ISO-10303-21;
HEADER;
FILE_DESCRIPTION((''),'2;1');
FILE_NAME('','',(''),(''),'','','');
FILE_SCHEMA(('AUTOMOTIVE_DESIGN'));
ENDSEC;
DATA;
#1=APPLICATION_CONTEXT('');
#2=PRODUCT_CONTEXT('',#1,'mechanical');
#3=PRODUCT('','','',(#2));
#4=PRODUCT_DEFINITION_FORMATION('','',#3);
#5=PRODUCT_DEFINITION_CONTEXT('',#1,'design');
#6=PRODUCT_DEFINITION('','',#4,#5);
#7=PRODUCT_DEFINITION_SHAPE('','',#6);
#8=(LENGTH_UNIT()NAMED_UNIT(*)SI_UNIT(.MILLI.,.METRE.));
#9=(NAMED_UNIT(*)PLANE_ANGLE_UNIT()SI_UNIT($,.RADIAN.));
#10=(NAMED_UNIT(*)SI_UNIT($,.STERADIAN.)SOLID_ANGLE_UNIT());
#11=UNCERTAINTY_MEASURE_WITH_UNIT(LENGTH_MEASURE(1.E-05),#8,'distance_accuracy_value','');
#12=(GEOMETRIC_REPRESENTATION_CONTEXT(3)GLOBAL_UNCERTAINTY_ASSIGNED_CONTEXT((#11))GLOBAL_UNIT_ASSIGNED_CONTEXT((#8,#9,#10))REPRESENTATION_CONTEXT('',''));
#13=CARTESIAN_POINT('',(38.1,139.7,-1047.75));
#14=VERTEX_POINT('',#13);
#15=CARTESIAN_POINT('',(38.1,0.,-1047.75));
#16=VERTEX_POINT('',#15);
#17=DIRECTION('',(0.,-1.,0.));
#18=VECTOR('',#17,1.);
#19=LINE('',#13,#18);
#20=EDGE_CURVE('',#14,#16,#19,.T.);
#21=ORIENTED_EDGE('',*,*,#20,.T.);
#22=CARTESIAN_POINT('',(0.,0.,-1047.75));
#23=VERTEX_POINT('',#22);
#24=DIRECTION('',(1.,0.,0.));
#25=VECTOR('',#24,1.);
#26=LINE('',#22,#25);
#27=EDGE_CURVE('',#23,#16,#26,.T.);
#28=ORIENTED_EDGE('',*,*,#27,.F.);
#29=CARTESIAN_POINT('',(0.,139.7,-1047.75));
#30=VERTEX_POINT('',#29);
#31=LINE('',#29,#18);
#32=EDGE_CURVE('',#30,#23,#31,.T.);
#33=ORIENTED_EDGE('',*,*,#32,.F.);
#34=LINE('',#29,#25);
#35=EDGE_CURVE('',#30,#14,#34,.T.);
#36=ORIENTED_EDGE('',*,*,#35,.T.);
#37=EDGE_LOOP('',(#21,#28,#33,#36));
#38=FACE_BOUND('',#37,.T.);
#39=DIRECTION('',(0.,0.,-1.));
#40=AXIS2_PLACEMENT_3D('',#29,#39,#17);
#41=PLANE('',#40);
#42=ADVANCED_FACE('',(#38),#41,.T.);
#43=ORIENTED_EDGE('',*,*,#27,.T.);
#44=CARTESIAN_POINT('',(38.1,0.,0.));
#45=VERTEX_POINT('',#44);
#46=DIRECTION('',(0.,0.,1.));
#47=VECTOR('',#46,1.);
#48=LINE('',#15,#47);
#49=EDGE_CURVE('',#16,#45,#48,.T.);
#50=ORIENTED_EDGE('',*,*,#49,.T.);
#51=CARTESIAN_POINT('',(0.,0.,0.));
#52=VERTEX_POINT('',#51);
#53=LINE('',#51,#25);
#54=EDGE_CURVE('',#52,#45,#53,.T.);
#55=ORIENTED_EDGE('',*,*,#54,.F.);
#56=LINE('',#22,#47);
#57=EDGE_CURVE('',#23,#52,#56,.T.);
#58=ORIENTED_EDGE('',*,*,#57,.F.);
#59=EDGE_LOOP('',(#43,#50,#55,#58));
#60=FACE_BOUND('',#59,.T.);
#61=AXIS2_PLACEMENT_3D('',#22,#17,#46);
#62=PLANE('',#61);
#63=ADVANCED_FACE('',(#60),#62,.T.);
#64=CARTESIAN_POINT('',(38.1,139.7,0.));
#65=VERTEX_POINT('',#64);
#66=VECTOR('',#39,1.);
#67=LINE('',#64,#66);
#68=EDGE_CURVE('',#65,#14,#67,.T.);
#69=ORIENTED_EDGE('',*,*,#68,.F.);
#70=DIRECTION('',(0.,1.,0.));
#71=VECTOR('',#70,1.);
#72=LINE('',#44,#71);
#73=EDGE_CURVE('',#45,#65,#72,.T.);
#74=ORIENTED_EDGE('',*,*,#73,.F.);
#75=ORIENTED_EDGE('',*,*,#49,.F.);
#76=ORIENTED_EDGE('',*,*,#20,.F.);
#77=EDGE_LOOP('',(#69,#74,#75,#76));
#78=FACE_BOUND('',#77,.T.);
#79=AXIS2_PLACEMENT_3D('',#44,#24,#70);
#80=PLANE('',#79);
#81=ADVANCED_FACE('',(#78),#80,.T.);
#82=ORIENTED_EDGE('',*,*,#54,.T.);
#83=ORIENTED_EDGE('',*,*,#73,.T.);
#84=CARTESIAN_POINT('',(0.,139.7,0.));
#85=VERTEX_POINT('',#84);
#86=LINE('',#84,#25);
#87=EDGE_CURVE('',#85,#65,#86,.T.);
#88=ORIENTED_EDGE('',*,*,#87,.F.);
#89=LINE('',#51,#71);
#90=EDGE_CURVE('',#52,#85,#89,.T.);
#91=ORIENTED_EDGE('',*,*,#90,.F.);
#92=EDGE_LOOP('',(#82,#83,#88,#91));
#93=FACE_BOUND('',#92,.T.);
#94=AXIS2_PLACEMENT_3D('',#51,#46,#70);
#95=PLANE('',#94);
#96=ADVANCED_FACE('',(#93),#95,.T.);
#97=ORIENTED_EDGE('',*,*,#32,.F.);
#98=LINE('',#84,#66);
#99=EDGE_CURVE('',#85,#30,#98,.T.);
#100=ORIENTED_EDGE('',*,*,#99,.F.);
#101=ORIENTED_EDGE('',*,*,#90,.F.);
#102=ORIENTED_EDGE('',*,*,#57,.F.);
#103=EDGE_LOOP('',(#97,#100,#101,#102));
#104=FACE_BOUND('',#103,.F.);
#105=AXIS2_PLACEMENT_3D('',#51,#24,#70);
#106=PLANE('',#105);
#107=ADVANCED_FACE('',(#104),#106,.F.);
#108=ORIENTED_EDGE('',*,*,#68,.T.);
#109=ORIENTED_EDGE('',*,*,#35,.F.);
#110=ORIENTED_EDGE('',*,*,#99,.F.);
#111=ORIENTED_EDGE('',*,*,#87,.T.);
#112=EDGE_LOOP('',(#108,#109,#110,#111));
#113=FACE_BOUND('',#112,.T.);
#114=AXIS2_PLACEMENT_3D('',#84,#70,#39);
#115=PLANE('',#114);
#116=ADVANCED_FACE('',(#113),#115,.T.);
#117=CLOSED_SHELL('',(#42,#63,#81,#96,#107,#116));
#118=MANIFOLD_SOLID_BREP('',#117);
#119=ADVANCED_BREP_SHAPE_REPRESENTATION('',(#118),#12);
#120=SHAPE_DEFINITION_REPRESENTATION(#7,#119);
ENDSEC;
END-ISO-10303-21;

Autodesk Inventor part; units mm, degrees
ref_plane "YZ Plane" through (0, 0, 0) normal (1, 0, 0) x (0, 1, 0)
ref_plane "XZ Plane" through (0, 0, 0) normal (0, 1, 0) x (-1, 0, 0)
ref_plane "XY Plane" through (0, 0, 0) normal (0, 0, 1) x (1, 0, 0)
sketch "Sketch1" plane through (0, 0, 0) normal (1, 0, 0) x (0, 1, 0)
  line L0 (0, 0) -> (139.7, 0)
  line L1 (139.7, 0) -> (139.7, -1047.75)
  line L2 (139.7, -1047.75) -> (0, -1047.75)
  line L3 (0, -1047.75) -> (0, 0)
  dimension "d1" = 1047.75
  dimension "d4" = 139.7
extrude "Extrusion1" add sketch "Sketch1" along normal blind 38.1
properties part number "Header_With_Dimensions_1.5_x_5.5_x_66.5_Inches" material "Wood (Birch)"
